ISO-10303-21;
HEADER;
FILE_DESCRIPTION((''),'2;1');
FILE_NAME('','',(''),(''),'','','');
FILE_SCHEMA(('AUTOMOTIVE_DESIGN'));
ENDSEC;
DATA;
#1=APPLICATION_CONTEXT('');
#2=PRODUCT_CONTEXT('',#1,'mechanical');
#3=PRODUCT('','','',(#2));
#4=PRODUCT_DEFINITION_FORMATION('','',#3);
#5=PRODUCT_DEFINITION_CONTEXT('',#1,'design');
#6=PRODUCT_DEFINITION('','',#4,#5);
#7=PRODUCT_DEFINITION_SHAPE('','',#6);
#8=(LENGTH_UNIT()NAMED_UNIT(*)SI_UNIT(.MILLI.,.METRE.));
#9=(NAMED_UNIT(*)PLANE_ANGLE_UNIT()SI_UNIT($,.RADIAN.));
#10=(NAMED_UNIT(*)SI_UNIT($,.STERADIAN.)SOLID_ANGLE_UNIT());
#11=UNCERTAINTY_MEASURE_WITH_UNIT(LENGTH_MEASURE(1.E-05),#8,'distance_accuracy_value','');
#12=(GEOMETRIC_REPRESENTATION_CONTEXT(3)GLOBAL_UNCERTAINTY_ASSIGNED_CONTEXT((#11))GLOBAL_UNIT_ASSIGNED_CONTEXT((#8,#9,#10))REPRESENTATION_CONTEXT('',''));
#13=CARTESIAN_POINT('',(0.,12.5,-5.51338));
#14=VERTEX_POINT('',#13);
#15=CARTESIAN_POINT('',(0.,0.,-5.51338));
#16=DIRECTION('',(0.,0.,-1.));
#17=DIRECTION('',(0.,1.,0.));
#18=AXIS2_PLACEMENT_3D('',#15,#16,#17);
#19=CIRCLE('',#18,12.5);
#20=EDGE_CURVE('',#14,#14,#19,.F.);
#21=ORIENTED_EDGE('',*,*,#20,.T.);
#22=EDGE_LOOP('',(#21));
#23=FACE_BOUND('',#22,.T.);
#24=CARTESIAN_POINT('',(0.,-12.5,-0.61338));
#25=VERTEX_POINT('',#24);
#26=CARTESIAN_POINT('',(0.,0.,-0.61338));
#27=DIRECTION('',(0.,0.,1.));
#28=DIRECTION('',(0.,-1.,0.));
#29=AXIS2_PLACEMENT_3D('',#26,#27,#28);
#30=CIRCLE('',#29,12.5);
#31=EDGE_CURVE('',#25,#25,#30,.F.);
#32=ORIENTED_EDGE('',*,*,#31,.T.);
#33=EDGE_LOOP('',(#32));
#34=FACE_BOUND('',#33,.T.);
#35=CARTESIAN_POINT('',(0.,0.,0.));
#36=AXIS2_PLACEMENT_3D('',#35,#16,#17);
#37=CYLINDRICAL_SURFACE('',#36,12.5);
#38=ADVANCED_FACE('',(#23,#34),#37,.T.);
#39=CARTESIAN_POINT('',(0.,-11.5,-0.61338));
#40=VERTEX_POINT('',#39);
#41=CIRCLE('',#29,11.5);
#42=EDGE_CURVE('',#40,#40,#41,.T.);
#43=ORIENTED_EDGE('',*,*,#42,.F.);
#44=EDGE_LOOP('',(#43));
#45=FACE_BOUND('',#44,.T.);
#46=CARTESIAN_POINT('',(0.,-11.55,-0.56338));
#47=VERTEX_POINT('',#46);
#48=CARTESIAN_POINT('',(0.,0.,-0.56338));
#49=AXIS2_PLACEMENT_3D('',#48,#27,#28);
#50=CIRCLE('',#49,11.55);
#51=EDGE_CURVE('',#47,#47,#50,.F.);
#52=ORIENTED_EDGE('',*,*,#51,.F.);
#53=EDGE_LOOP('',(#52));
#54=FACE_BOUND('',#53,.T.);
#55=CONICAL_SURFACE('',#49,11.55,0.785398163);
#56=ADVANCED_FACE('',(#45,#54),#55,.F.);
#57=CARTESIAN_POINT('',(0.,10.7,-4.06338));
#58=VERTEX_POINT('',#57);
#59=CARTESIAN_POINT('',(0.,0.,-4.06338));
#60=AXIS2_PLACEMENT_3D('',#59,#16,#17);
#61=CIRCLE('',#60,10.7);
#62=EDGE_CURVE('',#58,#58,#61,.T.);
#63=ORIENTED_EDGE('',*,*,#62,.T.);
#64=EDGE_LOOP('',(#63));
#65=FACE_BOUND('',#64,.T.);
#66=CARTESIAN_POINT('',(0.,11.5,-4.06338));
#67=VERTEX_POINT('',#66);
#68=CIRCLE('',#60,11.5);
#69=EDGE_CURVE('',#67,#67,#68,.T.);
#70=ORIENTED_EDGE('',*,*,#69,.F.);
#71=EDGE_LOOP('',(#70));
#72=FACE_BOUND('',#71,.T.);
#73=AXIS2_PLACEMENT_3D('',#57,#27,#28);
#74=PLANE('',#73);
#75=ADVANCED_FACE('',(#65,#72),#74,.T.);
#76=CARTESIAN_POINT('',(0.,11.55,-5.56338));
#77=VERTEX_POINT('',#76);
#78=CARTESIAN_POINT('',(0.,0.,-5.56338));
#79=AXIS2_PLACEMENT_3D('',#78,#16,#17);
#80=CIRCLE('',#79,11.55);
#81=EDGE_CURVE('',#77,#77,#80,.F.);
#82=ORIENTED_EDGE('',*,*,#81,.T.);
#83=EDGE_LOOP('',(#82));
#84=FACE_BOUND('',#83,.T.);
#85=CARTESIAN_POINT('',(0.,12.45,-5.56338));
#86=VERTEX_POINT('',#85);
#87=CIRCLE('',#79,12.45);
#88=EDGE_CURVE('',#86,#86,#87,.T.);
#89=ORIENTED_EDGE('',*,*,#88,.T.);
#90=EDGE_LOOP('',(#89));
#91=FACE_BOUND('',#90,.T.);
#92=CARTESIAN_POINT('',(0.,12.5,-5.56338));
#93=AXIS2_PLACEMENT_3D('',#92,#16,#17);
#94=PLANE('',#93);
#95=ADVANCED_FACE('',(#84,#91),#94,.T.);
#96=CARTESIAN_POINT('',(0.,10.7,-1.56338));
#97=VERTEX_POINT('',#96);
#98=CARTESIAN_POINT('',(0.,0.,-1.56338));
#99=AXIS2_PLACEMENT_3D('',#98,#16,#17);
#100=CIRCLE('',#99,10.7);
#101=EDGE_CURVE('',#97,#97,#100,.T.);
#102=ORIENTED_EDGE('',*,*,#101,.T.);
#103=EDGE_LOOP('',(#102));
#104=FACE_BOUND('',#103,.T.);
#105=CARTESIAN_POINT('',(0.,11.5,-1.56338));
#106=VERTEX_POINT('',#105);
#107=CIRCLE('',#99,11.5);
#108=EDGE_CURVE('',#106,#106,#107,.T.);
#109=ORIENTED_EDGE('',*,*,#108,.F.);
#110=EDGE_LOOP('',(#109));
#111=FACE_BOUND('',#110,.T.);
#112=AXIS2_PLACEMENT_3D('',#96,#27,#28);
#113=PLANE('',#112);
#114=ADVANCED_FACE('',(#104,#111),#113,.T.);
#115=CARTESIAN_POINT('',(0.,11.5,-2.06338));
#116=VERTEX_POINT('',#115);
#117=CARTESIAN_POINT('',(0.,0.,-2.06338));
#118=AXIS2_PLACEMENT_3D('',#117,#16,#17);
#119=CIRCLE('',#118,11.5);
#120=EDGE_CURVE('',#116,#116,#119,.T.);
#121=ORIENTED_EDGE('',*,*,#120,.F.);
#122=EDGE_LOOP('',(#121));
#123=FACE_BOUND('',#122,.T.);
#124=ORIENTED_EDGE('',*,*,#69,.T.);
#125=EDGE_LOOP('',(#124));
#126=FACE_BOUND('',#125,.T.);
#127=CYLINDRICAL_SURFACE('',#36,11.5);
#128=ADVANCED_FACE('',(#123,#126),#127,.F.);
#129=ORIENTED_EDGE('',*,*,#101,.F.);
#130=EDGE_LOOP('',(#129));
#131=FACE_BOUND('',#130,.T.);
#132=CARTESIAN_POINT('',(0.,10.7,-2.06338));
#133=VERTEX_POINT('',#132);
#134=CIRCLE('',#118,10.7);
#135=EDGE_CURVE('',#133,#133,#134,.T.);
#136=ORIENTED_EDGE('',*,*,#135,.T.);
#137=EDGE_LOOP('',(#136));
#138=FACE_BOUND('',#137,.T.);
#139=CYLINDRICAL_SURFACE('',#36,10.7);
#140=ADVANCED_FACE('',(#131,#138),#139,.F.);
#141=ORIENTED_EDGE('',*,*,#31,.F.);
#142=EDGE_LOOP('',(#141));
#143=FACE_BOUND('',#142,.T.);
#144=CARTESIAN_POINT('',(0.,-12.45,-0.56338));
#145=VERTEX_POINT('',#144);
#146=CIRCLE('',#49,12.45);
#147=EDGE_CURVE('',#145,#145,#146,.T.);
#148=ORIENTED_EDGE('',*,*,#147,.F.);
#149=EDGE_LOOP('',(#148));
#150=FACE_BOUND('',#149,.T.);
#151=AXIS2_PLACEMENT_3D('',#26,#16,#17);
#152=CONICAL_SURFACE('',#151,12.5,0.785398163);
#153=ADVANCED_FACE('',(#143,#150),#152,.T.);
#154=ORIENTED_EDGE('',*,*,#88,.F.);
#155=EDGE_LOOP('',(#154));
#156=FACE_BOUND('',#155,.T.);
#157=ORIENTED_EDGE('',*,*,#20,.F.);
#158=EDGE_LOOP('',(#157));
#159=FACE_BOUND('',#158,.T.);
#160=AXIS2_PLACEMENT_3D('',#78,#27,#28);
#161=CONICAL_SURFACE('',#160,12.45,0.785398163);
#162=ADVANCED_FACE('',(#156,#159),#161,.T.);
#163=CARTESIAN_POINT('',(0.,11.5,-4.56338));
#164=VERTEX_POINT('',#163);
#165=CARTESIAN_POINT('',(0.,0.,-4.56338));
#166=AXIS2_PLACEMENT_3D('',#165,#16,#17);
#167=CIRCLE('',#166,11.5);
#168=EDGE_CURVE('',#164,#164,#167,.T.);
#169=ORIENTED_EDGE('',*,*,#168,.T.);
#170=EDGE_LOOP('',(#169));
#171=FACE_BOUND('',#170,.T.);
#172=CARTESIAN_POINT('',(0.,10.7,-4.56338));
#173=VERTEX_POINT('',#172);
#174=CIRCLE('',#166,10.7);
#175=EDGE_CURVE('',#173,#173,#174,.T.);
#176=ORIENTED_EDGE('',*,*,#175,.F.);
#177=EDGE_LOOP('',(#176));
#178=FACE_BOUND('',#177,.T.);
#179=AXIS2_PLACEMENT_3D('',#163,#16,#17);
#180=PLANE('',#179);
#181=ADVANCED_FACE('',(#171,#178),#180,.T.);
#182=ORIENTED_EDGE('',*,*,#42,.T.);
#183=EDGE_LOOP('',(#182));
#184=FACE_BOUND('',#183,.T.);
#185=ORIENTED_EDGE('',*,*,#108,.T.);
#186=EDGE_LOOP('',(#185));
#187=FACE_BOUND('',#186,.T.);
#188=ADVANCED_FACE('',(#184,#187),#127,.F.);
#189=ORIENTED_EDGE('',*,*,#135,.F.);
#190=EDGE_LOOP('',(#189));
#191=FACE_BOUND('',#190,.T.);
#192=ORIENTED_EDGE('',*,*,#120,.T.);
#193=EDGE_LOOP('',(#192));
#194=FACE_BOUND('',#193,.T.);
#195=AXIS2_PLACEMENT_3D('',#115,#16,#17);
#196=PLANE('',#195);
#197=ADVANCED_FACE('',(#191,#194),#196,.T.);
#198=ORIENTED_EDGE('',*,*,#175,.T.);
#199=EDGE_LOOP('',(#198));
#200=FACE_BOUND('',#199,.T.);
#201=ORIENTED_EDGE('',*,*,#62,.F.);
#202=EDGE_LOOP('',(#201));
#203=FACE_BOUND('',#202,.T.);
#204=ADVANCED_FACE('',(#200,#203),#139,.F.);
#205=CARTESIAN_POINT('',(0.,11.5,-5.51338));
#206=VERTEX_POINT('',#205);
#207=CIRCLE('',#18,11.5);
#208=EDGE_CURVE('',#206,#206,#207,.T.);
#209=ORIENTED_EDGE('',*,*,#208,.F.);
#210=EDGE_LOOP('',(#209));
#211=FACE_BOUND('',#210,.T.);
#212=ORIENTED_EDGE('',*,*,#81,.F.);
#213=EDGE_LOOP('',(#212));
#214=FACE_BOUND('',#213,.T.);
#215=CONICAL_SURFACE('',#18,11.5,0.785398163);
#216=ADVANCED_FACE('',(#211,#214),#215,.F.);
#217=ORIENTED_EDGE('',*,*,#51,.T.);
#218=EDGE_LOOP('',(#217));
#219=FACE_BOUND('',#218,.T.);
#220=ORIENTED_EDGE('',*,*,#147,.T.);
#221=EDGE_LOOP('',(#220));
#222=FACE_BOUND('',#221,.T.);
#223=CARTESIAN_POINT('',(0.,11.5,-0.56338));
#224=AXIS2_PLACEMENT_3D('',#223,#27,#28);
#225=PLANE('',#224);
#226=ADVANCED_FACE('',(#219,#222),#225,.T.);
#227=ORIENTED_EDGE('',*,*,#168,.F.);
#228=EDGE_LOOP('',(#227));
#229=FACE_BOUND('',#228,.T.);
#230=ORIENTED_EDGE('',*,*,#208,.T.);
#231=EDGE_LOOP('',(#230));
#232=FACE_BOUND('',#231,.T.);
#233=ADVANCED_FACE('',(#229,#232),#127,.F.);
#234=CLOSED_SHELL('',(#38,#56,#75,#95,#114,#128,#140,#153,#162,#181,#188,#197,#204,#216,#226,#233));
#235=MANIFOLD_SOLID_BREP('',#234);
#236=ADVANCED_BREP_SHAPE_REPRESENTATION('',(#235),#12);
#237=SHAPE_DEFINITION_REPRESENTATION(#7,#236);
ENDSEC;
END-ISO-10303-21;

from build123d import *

# Parameters (mm, degrees)
SMUSSO1_SIZE = 0.05


with BuildPart() as part:
    # Schizzo2 → Rivoluzione1 (revolve)
    with BuildSketch(Plane(origin=(0, 0, 0), x_dir=(0, 0, -1), z_dir=(1, 0, 0))):
        Polygon((0.563380282, 12.5), (5.563380282, 12.5), (5.563380282, 11.5), (4.563380282, 11.5), (4.563380282, 10.7), (4.063380282, 10.7), (4.063380282, 11.5), (2.063380282, 11.5), (2.063380282, 10.7), (1.563380282, 10.7), (1.563380282, 11.5), (0.563380282, 11.5), align=None)
    revolve(axis=Axis((0, 0, 0), (0, 0, 1)))

    # Smusso1
    smusso1_edges = [part.edges().sort_by_distance(p)[0] for p in [
        (0, -11.5, -5.563380282),
        (0, -12.5, -5.563380282),
        (0, -12.5, -0.563380282),
        (0, -11.5, -0.563380282),
    ]]
    chamfer(smusso1_edges, length=SMUSSO1_SIZE)


solid = part.part
